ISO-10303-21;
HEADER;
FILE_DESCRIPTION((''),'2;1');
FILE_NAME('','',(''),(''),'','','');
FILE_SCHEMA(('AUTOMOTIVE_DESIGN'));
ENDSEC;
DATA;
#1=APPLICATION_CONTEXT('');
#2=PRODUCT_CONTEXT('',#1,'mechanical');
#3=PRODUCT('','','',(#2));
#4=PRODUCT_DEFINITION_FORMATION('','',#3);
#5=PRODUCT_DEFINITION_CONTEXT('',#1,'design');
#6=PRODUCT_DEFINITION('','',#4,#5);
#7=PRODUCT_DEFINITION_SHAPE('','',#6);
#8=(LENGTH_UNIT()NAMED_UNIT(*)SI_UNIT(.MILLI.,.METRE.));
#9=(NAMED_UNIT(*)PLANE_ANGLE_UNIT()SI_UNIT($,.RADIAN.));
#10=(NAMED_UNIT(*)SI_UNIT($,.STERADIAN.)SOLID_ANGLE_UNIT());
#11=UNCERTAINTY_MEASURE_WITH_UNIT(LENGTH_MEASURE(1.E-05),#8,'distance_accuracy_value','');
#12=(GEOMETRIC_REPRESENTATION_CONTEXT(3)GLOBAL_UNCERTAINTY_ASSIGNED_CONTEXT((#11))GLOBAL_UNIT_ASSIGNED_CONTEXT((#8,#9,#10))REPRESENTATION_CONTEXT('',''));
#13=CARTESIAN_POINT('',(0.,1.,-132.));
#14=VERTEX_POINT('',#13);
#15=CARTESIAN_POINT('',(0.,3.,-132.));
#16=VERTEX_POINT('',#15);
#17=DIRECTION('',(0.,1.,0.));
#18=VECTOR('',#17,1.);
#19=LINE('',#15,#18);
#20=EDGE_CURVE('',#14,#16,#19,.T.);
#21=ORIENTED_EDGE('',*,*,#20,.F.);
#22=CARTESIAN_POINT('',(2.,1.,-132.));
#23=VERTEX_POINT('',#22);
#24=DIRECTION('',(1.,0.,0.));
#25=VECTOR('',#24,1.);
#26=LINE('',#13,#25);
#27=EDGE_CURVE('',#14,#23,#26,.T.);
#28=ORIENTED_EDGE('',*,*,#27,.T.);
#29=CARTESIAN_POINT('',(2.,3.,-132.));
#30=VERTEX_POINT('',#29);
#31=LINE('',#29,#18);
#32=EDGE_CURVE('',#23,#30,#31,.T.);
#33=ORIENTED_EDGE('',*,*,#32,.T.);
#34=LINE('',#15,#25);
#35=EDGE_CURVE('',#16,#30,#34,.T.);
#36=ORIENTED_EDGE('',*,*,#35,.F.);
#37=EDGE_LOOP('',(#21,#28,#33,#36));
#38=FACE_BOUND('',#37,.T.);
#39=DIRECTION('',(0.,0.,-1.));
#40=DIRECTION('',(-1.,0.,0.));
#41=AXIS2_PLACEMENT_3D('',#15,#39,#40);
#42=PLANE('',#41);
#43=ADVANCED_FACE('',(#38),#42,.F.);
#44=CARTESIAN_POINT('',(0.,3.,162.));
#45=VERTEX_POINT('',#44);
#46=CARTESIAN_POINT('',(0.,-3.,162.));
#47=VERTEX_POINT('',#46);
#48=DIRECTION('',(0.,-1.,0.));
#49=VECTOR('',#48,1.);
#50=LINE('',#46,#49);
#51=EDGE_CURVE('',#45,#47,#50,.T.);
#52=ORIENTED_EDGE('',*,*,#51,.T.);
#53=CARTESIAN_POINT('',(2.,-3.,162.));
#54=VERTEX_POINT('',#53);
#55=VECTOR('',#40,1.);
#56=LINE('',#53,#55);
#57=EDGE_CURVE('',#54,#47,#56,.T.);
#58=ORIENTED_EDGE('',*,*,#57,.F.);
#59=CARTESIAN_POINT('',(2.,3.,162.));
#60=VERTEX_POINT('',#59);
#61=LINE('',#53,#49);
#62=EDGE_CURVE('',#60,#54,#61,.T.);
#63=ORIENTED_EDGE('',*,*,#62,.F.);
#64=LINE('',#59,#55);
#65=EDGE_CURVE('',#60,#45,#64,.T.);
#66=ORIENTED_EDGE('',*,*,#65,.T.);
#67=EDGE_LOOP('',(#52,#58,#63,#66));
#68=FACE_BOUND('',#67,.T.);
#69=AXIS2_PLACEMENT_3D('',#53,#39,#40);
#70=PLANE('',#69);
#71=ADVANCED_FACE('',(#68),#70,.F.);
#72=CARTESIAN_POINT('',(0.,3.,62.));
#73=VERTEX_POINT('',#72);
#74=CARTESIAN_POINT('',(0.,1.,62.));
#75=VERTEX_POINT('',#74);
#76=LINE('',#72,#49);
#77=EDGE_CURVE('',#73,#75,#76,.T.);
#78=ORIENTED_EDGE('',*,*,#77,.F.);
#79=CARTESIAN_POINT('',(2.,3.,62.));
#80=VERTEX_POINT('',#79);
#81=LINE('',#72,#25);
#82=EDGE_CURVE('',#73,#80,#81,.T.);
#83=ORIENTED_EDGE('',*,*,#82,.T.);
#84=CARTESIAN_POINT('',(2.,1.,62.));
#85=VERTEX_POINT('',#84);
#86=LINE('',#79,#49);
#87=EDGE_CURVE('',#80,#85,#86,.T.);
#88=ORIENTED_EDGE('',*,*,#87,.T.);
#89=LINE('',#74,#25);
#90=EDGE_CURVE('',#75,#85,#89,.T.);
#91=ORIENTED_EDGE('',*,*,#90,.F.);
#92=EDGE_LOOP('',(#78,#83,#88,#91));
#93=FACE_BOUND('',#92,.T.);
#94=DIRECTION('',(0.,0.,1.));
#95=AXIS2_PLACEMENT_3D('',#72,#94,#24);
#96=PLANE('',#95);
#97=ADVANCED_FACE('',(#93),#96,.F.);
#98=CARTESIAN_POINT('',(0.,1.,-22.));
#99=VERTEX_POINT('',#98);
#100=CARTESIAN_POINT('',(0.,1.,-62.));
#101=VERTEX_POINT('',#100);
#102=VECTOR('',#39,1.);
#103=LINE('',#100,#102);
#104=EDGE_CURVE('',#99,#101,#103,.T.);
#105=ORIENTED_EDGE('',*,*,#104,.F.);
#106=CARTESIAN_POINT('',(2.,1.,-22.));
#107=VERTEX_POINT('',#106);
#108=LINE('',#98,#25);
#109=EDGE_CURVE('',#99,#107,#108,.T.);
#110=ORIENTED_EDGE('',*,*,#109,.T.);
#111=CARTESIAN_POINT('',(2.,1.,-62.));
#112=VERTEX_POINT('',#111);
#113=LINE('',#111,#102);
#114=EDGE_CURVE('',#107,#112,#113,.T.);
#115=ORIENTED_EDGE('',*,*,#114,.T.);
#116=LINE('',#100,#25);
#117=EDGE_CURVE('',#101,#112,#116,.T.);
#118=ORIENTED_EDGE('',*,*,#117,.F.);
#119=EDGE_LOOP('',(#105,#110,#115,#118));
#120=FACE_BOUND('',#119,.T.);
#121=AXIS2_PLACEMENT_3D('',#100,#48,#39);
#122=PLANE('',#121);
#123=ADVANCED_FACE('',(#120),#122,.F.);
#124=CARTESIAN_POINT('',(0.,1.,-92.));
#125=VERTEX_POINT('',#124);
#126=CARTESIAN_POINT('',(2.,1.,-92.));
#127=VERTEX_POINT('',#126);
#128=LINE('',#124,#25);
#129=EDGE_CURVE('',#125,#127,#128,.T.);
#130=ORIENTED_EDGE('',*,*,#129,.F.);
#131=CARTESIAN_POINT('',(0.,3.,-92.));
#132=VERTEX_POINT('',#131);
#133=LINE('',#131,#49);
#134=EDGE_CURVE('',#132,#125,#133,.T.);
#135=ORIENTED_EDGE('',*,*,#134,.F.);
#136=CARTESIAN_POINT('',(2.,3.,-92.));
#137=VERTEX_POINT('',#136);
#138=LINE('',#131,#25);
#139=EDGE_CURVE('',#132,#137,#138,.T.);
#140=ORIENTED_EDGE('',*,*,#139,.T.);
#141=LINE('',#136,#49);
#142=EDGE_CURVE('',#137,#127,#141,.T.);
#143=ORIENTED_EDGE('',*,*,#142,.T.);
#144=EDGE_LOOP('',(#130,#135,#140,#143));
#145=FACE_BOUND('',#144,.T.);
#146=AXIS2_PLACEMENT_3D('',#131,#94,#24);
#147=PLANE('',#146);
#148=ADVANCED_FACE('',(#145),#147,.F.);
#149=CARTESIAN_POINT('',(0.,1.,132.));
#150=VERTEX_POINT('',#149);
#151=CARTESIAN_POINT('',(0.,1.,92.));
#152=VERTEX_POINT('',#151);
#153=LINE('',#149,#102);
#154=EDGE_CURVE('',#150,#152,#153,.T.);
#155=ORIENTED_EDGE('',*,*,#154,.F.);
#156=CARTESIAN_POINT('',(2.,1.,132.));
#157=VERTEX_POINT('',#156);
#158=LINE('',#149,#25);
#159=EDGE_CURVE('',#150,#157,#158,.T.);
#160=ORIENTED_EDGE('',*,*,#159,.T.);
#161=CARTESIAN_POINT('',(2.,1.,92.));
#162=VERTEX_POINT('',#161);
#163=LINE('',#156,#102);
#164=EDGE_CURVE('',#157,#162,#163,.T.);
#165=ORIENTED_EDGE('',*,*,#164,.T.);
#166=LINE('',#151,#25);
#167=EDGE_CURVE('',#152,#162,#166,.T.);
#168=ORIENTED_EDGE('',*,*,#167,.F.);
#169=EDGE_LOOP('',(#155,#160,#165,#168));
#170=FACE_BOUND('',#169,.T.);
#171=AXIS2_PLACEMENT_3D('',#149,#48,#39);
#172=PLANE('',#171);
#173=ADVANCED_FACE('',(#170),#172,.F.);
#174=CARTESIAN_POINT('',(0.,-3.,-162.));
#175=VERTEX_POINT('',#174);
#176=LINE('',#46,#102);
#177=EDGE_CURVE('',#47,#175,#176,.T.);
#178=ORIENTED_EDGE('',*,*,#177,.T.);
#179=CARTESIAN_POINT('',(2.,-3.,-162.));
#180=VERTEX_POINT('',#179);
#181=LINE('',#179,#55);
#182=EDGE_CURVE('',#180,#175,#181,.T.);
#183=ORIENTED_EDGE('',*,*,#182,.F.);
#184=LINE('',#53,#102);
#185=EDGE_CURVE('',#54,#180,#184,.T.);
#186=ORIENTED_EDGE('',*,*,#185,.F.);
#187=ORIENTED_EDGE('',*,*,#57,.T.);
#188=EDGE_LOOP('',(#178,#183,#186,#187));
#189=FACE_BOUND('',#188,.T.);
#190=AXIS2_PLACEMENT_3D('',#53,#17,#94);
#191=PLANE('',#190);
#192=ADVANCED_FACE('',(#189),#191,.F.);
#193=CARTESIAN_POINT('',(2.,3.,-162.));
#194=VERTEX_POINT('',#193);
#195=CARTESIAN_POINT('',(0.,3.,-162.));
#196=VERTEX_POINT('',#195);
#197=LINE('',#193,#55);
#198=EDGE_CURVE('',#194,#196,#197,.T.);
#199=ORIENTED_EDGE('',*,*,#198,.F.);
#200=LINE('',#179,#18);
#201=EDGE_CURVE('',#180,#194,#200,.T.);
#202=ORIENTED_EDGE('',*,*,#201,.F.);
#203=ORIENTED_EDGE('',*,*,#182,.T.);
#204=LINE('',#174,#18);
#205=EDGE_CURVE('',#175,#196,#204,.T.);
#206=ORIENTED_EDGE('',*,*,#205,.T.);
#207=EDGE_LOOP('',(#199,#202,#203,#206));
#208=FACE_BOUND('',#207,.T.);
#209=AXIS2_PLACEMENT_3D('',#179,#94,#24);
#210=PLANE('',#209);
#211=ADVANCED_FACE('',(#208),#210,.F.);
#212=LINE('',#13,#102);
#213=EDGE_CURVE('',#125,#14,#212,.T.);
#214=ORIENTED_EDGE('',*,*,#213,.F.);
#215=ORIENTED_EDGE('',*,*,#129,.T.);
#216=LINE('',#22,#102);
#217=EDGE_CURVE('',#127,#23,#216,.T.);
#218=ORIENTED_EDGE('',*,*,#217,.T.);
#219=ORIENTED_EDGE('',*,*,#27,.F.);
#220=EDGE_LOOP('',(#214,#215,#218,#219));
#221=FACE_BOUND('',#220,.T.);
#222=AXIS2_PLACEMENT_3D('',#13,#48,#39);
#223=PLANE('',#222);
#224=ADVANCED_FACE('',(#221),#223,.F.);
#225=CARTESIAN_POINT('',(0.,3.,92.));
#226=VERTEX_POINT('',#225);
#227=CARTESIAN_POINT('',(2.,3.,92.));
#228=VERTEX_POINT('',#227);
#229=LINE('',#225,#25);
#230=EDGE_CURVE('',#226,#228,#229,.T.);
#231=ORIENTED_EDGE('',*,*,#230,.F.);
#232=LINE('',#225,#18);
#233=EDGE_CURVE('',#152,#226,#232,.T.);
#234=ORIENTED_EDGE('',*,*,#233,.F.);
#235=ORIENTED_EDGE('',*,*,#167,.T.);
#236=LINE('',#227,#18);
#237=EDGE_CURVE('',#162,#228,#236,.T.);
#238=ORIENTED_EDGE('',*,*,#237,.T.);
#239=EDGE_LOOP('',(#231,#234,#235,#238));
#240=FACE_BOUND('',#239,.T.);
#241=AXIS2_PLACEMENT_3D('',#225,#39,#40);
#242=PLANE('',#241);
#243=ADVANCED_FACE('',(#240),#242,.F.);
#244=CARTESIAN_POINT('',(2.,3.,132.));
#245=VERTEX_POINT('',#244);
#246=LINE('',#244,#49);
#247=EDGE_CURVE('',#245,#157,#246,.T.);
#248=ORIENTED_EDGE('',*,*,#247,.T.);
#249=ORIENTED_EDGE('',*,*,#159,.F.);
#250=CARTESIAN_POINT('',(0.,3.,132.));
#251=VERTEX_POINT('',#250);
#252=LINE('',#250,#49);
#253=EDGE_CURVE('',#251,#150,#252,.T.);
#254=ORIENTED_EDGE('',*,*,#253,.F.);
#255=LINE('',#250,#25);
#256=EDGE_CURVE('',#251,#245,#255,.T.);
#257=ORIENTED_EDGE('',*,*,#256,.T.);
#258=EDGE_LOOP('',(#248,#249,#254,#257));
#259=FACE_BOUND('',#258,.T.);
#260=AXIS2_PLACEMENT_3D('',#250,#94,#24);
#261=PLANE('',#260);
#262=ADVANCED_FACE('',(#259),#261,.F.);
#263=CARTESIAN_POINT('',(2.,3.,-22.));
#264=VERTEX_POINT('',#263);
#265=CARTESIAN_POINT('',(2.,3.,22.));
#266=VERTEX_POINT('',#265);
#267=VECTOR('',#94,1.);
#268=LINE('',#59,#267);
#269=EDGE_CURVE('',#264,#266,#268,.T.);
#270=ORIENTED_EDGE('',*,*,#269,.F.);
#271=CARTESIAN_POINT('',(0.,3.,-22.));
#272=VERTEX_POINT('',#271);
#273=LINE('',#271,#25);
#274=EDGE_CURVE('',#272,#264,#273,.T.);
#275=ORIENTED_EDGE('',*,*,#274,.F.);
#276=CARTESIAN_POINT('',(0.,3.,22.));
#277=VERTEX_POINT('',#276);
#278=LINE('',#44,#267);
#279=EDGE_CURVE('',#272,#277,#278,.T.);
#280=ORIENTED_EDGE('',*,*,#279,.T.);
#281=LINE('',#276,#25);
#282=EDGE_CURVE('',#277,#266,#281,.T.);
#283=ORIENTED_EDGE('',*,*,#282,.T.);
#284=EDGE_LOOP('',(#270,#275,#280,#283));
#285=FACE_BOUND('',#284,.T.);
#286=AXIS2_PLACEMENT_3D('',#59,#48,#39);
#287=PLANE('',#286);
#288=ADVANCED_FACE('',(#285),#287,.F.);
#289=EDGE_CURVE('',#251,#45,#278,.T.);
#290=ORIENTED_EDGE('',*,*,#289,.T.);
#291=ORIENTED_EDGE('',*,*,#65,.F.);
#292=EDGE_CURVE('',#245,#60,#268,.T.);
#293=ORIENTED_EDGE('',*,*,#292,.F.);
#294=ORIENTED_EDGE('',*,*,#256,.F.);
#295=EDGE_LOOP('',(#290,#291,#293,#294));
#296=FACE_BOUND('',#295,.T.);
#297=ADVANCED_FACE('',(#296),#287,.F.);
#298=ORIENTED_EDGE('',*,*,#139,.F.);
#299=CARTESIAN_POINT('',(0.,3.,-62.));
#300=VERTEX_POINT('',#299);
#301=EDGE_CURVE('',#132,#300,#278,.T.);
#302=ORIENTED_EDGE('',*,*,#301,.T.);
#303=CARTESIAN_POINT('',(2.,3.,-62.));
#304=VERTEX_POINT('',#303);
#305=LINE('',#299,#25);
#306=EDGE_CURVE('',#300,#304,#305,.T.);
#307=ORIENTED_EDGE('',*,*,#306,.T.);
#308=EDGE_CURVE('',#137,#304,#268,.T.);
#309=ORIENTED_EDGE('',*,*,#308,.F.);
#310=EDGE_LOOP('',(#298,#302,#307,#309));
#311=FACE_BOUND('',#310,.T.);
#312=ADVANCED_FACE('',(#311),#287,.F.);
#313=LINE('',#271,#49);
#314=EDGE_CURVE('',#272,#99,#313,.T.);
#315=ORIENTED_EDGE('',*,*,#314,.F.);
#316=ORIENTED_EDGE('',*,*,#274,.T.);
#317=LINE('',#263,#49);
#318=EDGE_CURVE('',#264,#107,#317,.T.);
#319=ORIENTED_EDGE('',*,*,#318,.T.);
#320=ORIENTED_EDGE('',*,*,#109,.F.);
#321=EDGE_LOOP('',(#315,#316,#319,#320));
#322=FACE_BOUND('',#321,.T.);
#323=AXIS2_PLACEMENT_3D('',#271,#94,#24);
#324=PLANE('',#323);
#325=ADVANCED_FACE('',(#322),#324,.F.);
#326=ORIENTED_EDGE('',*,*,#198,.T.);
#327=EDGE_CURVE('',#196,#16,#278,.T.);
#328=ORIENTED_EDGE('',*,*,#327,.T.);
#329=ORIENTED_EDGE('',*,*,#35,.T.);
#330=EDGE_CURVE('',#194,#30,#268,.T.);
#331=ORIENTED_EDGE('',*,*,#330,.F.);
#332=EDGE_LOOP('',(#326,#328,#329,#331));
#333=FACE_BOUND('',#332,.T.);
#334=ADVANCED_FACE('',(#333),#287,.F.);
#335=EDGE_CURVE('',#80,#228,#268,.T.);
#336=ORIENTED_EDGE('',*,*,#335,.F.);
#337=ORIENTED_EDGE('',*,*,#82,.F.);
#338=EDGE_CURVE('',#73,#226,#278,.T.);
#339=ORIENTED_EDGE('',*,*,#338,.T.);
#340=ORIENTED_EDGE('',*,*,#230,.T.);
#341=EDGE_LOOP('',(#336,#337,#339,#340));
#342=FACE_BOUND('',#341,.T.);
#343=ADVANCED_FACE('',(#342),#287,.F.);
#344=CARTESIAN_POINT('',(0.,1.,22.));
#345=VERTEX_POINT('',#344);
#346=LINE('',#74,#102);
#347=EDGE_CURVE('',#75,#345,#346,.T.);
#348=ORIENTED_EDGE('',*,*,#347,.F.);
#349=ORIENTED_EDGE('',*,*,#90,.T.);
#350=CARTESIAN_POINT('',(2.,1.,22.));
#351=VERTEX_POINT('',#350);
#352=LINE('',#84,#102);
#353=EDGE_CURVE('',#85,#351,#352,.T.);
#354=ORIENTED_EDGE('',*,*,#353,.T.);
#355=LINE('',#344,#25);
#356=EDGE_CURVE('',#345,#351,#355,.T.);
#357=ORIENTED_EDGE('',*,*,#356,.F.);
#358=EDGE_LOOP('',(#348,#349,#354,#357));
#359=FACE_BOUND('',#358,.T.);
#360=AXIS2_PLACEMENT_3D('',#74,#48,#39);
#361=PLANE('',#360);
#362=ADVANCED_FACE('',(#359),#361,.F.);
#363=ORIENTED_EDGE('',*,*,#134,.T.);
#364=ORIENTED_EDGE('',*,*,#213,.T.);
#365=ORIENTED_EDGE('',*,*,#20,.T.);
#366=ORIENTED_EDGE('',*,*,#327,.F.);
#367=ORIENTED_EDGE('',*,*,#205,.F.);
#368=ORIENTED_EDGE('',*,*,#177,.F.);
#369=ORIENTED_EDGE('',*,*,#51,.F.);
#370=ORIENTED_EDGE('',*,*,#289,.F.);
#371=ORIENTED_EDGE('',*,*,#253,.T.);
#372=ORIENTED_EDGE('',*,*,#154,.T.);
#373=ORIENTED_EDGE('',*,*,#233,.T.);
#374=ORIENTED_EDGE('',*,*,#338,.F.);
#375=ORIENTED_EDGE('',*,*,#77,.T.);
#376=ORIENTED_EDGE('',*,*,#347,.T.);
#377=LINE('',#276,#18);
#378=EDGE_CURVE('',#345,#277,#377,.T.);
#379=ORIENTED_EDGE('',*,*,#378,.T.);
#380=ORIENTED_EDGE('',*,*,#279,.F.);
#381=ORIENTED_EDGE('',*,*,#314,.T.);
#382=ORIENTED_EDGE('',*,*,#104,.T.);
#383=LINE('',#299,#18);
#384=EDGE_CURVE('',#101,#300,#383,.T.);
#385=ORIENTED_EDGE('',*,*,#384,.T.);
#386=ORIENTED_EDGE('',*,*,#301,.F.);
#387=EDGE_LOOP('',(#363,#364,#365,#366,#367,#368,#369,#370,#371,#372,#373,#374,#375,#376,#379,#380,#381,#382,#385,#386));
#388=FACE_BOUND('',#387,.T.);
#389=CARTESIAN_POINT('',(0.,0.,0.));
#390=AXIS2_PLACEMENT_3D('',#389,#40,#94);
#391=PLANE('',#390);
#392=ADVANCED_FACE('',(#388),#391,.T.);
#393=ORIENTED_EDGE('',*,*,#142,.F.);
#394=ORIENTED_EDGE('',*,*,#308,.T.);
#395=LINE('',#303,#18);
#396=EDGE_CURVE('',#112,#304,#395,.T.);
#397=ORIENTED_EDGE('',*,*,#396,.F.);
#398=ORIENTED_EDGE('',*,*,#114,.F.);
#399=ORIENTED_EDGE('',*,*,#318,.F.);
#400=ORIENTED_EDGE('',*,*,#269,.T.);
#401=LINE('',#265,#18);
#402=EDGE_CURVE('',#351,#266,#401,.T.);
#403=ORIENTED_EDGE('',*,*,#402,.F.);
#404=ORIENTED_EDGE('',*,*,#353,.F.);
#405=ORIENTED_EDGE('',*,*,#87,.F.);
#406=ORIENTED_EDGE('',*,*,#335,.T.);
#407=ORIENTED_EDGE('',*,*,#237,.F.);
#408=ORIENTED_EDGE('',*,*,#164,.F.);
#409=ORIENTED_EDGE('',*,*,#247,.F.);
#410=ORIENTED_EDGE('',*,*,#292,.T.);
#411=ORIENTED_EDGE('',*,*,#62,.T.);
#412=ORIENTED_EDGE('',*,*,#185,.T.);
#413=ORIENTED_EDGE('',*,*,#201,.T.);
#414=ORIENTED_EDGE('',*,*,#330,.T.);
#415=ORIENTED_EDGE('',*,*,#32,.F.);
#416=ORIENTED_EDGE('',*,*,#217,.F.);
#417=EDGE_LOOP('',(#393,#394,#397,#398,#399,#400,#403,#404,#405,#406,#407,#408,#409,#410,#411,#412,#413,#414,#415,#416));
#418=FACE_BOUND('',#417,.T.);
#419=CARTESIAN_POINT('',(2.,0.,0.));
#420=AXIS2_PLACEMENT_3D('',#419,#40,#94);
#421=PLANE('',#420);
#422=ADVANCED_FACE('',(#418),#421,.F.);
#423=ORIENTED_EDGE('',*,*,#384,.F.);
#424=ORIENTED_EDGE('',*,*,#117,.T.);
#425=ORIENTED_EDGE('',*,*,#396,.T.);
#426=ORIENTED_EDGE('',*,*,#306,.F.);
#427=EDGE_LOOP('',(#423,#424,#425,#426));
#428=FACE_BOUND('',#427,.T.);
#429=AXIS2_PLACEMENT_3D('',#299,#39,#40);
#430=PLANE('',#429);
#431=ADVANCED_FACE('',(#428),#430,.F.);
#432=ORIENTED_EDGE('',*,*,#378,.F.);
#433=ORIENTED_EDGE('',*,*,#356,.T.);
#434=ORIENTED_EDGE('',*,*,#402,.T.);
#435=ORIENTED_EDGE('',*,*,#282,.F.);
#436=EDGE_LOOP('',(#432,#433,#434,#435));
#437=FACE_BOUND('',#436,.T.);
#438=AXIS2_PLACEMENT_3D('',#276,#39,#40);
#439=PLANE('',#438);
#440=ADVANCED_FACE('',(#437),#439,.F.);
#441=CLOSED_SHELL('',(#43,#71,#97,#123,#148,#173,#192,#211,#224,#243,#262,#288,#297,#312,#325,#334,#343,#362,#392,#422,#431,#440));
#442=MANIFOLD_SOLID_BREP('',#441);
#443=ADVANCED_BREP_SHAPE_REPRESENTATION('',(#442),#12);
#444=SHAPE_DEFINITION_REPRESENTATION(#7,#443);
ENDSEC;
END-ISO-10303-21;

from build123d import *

# Parameters (mm, degrees)
SKETCH1_W           = 324
SKETCH1_H           = 6
BOSS_EXTRUDE1_DEPTH = 2
SKETCH2_W           = 40
SKETCH2_H           = 2
CUT_EXTRUDE1_DEPTH  = 2


with BuildPart() as part:
    # Sketch1 → Boss-Extrude1 (new body)
    with BuildSketch(Plane(origin=(0, 0, 0), x_dir=(0, 0, -1), z_dir=(1, 0, 0))):
        Rectangle(SKETCH1_W, SKETCH1_H)
    extrude(amount=BOSS_EXTRUDE1_DEPTH)

    # Sketch2 → Cut-Extrude1 (cut)
    with BuildSketch(Plane(origin=(2, 0, 0), x_dir=(0, 0, -1), z_dir=(1, 0, 0))):
        with Locations((-112, 2)):
            Rectangle(SKETCH2_W, SKETCH2_H)
        with Locations((-42, 2)):
            Rectangle(SKETCH2_W, SKETCH2_H)
        with Locations((42, 2)):
            Rectangle(SKETCH2_W, SKETCH2_H)
        with Locations((112, 2)):
            Rectangle(SKETCH2_W, SKETCH2_H)
    extrude(amount=-CUT_EXTRUDE1_DEPTH, mode=Mode.SUBTRACT)


solid = part.part
